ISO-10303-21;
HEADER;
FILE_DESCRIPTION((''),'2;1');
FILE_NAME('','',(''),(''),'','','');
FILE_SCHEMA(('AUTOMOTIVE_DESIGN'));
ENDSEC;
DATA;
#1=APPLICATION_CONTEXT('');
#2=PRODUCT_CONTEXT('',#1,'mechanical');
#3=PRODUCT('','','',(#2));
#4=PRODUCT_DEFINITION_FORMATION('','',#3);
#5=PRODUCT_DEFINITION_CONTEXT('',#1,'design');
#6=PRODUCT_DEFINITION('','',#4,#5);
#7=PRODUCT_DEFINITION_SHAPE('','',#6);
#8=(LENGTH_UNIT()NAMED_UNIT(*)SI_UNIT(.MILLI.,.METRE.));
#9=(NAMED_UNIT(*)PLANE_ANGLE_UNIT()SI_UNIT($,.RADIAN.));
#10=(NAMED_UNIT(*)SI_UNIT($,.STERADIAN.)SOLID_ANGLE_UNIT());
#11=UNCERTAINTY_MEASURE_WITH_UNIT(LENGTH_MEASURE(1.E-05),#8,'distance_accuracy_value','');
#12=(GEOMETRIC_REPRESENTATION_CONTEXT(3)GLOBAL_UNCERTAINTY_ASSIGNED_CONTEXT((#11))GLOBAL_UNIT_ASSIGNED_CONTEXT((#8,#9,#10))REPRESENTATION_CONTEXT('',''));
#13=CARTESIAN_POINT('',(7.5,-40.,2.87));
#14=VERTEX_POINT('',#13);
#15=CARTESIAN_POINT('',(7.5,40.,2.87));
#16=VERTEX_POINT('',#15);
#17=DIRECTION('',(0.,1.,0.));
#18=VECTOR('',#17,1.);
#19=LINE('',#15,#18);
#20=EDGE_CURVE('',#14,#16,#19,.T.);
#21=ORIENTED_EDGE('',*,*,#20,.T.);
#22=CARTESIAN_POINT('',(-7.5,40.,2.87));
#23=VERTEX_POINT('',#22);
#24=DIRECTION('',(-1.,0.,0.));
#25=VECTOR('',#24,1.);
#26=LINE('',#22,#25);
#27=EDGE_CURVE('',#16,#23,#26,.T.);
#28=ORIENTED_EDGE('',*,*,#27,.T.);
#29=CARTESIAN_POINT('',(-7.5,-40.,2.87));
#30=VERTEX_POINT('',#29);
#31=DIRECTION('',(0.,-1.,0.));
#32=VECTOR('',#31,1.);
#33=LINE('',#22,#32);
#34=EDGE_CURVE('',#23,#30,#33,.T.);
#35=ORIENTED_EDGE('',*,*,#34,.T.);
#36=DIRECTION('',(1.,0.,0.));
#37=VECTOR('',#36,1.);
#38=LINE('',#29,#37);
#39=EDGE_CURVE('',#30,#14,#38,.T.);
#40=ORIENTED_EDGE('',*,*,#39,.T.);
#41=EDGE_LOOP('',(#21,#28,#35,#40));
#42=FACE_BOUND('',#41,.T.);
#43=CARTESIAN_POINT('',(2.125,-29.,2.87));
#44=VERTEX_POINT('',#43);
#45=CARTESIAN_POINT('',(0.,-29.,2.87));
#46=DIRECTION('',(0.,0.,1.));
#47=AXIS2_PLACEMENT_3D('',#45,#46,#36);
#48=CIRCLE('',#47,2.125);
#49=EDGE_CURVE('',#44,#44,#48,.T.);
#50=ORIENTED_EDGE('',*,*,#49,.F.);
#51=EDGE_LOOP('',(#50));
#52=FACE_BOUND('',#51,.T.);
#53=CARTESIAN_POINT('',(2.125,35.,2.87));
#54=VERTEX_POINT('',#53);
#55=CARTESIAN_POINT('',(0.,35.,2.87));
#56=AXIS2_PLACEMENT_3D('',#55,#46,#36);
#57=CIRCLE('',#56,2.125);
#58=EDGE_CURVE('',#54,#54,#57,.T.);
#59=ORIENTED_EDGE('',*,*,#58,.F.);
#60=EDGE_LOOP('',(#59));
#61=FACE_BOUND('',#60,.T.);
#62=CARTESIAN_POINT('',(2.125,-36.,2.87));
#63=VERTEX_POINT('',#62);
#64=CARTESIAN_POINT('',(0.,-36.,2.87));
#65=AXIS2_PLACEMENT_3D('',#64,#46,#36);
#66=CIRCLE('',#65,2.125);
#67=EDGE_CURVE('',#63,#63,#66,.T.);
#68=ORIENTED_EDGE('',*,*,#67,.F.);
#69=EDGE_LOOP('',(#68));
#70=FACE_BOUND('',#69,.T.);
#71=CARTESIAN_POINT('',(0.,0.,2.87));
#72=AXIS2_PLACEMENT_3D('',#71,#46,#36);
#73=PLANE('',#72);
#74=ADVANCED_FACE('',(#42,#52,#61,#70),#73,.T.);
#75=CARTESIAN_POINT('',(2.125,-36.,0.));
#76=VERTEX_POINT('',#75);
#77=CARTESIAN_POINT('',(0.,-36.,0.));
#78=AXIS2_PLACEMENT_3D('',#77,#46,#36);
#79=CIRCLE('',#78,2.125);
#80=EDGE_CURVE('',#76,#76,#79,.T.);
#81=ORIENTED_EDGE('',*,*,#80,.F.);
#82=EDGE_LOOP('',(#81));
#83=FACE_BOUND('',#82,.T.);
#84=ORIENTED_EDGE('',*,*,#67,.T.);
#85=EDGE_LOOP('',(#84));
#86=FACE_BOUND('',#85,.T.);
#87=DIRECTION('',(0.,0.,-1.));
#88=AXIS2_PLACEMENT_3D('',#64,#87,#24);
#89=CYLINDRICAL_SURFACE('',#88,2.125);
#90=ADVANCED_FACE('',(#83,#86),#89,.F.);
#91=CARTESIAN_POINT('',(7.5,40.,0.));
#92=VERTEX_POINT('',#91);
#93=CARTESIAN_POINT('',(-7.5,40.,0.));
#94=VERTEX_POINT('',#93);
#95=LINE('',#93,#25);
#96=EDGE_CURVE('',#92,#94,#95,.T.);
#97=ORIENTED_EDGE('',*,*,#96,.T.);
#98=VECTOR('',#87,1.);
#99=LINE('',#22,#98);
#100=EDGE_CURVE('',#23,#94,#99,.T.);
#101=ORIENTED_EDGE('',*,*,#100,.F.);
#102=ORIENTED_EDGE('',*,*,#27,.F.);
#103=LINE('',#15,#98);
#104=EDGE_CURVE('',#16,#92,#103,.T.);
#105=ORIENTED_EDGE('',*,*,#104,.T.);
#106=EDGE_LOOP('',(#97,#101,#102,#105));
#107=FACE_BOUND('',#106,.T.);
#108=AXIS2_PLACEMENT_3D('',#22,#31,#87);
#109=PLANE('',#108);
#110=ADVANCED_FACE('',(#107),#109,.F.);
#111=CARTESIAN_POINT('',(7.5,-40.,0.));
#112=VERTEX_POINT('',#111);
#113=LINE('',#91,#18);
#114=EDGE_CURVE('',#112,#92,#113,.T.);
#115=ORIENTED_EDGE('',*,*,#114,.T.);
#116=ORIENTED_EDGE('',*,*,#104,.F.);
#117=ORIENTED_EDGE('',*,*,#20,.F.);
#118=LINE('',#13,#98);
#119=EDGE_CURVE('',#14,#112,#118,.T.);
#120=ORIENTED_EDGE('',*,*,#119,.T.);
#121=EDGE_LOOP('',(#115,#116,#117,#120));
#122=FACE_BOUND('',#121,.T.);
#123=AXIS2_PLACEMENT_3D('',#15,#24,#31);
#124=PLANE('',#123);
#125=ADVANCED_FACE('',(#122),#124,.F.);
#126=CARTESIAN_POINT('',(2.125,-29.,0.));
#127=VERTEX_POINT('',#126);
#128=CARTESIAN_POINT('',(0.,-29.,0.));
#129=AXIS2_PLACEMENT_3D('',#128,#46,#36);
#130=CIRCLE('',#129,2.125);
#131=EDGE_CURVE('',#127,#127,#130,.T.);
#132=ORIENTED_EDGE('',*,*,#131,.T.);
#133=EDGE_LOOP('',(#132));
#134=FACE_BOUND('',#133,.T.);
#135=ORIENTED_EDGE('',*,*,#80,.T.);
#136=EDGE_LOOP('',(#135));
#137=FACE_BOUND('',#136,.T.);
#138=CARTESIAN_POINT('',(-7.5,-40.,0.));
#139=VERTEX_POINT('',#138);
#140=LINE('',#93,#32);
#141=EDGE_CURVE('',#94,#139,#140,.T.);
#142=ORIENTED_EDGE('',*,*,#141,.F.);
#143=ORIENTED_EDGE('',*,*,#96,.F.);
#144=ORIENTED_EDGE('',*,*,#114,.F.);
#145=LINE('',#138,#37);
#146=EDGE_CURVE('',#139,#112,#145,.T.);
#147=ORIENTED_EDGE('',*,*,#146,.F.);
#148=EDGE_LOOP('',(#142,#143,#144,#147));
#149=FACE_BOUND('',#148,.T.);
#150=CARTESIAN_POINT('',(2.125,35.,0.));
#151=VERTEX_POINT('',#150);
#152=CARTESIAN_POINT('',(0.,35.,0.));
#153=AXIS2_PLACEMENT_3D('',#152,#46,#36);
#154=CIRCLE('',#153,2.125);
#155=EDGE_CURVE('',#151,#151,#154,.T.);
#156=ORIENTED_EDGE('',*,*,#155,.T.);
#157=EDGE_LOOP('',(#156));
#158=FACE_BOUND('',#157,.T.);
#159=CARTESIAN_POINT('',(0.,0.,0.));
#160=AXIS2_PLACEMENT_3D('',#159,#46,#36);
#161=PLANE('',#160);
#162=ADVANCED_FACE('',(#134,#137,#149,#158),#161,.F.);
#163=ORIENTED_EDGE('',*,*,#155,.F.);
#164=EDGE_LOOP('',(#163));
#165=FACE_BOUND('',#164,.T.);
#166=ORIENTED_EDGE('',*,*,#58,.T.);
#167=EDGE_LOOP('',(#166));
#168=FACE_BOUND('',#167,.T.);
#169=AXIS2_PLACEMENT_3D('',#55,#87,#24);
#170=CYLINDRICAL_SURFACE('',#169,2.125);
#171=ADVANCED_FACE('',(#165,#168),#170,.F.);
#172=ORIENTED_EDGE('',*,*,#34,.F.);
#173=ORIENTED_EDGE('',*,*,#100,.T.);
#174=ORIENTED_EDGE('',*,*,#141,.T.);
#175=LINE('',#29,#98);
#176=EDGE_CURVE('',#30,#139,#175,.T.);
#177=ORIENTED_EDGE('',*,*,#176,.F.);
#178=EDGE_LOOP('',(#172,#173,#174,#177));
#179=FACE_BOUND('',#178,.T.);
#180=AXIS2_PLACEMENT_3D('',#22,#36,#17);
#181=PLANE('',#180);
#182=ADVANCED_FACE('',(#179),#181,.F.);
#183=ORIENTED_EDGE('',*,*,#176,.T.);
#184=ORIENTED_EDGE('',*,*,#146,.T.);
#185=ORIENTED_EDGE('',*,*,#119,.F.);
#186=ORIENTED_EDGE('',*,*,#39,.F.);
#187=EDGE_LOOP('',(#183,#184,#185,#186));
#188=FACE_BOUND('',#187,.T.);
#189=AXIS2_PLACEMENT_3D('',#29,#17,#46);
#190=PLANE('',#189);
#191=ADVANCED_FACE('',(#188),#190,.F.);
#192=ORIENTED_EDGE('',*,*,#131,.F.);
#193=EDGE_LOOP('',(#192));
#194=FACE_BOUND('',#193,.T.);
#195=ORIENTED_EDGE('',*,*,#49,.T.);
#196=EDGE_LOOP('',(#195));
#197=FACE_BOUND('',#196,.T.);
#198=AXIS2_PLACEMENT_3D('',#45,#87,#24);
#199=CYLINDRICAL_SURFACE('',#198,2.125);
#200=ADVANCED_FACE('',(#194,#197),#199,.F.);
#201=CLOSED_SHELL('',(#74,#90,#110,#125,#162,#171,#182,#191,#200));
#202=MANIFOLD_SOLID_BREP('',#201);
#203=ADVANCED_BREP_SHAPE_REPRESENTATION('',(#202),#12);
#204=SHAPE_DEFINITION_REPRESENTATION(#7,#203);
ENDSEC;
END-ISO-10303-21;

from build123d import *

# Parameters (mm, degrees)
SKETCH1_W           = 15
SKETCH1_H           = 80
SKETCH1_R           = 2.125
BOSS_EXTRUDE1_DEPTH = 2.87


with BuildPart() as part:
    # Sketch1 → Boss-Extrude1 (new body)
    with BuildSketch(Plane.XY):
        Rectangle(SKETCH1_W, SKETCH1_H)
        with Locations((0, -36)):
            Circle(SKETCH1_R, mode=Mode.SUBTRACT)
        with Locations((0, -29)):
            Circle(SKETCH1_R, mode=Mode.SUBTRACT)
        with Locations((0, 35)):
            Circle(SKETCH1_R, mode=Mode.SUBTRACT)
    extrude(amount=BOSS_EXTRUDE1_DEPTH)


solid = part.part
